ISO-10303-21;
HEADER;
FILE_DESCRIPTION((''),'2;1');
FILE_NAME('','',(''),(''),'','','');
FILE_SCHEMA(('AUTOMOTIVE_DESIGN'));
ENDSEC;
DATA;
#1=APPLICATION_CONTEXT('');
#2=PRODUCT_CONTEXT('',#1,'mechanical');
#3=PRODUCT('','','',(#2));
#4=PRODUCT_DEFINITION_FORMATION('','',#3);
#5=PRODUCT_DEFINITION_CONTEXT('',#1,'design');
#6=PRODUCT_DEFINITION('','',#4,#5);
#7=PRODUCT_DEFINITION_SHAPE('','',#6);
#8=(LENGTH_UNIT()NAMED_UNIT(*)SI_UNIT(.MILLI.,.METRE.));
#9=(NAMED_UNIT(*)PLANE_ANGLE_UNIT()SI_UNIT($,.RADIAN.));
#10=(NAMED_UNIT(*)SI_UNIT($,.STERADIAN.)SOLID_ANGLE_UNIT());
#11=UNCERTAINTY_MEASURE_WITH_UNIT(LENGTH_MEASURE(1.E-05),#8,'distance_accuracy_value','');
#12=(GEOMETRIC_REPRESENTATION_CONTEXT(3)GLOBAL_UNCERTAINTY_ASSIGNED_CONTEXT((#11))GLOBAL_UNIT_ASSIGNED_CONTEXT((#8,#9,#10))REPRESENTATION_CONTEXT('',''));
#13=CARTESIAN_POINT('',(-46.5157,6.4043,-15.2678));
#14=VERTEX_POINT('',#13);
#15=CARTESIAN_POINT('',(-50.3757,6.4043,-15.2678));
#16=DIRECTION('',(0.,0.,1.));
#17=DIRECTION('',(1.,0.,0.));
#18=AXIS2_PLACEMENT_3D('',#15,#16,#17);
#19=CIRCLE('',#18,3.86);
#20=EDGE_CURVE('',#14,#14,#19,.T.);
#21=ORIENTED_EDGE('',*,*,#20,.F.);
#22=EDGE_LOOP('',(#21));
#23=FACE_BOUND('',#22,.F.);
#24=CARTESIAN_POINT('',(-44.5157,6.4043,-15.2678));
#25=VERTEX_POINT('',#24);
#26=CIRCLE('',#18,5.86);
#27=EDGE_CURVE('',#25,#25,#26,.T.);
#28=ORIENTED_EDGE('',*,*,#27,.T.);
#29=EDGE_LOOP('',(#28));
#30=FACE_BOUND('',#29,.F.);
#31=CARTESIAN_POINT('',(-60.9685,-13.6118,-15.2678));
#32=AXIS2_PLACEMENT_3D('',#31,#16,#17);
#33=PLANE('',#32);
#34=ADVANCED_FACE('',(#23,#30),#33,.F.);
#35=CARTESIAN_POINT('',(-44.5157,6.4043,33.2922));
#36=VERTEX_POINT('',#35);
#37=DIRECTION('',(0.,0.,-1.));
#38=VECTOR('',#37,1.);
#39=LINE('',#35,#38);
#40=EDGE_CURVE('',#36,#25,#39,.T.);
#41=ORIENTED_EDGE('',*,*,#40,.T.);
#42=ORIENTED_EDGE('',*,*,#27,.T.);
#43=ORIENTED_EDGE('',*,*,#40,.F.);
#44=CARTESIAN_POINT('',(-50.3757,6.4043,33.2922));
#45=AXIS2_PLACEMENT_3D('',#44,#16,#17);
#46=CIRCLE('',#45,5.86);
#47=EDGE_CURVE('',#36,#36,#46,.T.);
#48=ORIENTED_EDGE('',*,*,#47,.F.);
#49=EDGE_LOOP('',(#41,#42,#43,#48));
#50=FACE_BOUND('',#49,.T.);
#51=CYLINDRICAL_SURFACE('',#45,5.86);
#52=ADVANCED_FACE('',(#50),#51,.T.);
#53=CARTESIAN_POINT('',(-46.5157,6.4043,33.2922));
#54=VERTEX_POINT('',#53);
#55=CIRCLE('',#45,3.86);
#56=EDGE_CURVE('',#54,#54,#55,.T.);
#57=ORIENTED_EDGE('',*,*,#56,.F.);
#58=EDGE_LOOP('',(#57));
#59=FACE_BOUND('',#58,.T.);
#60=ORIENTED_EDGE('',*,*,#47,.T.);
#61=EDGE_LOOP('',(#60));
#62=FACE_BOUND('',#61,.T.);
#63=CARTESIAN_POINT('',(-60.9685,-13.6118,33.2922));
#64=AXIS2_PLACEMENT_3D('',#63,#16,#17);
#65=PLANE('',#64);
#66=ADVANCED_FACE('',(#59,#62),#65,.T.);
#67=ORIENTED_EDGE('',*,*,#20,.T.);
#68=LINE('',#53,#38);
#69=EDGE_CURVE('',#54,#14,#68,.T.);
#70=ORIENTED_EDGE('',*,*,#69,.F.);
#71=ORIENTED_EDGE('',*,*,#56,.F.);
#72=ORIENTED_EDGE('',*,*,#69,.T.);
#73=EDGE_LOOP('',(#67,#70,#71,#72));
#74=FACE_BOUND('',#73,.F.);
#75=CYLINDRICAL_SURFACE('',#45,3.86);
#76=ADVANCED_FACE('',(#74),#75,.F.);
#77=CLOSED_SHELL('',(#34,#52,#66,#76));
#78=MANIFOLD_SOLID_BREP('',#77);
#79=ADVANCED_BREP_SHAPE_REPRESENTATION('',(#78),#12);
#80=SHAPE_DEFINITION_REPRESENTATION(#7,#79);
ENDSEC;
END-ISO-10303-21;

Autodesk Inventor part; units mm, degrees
ref_plane "YZ Plane" through (0, 0, 0) normal (1, 0, 0) x (0, 1, 0)
ref_plane "XZ Plane" through (0, 0, 0) normal (0, 1, 0) x (-1, 0, 0)
ref_plane "Work Plane1" through (-60.9685, -13.6118, 33.2922) normal (0, 0, 1) x (1, 0, 0)
sketch "Sketch1" plane through (-60.9685, -13.6118, 33.2922) normal (0, 0, 1) x (1, 0, 0)
  circle A0 centre (10.5928, 20.0161) radius 6.16 construction
  circle A1 centre (10.5928, 20.0161) radius 5.86
  circle A2 centre (10.5928, 20.0161) radius 3.86
  point P0 (60.9685, 13.6118)
  dimension "d0" = 0.3
  dimension "d1" = 2
ref_plane "Work Plane2" through (-103.5613, -36.0957, -15.2678) normal (0, 0, -1) x (0, 1, 0)
extrude "Extrusion1" add sketch "Sketch1" against normal up to surface (48.56 mm away)
properties part number "pin_V3"
